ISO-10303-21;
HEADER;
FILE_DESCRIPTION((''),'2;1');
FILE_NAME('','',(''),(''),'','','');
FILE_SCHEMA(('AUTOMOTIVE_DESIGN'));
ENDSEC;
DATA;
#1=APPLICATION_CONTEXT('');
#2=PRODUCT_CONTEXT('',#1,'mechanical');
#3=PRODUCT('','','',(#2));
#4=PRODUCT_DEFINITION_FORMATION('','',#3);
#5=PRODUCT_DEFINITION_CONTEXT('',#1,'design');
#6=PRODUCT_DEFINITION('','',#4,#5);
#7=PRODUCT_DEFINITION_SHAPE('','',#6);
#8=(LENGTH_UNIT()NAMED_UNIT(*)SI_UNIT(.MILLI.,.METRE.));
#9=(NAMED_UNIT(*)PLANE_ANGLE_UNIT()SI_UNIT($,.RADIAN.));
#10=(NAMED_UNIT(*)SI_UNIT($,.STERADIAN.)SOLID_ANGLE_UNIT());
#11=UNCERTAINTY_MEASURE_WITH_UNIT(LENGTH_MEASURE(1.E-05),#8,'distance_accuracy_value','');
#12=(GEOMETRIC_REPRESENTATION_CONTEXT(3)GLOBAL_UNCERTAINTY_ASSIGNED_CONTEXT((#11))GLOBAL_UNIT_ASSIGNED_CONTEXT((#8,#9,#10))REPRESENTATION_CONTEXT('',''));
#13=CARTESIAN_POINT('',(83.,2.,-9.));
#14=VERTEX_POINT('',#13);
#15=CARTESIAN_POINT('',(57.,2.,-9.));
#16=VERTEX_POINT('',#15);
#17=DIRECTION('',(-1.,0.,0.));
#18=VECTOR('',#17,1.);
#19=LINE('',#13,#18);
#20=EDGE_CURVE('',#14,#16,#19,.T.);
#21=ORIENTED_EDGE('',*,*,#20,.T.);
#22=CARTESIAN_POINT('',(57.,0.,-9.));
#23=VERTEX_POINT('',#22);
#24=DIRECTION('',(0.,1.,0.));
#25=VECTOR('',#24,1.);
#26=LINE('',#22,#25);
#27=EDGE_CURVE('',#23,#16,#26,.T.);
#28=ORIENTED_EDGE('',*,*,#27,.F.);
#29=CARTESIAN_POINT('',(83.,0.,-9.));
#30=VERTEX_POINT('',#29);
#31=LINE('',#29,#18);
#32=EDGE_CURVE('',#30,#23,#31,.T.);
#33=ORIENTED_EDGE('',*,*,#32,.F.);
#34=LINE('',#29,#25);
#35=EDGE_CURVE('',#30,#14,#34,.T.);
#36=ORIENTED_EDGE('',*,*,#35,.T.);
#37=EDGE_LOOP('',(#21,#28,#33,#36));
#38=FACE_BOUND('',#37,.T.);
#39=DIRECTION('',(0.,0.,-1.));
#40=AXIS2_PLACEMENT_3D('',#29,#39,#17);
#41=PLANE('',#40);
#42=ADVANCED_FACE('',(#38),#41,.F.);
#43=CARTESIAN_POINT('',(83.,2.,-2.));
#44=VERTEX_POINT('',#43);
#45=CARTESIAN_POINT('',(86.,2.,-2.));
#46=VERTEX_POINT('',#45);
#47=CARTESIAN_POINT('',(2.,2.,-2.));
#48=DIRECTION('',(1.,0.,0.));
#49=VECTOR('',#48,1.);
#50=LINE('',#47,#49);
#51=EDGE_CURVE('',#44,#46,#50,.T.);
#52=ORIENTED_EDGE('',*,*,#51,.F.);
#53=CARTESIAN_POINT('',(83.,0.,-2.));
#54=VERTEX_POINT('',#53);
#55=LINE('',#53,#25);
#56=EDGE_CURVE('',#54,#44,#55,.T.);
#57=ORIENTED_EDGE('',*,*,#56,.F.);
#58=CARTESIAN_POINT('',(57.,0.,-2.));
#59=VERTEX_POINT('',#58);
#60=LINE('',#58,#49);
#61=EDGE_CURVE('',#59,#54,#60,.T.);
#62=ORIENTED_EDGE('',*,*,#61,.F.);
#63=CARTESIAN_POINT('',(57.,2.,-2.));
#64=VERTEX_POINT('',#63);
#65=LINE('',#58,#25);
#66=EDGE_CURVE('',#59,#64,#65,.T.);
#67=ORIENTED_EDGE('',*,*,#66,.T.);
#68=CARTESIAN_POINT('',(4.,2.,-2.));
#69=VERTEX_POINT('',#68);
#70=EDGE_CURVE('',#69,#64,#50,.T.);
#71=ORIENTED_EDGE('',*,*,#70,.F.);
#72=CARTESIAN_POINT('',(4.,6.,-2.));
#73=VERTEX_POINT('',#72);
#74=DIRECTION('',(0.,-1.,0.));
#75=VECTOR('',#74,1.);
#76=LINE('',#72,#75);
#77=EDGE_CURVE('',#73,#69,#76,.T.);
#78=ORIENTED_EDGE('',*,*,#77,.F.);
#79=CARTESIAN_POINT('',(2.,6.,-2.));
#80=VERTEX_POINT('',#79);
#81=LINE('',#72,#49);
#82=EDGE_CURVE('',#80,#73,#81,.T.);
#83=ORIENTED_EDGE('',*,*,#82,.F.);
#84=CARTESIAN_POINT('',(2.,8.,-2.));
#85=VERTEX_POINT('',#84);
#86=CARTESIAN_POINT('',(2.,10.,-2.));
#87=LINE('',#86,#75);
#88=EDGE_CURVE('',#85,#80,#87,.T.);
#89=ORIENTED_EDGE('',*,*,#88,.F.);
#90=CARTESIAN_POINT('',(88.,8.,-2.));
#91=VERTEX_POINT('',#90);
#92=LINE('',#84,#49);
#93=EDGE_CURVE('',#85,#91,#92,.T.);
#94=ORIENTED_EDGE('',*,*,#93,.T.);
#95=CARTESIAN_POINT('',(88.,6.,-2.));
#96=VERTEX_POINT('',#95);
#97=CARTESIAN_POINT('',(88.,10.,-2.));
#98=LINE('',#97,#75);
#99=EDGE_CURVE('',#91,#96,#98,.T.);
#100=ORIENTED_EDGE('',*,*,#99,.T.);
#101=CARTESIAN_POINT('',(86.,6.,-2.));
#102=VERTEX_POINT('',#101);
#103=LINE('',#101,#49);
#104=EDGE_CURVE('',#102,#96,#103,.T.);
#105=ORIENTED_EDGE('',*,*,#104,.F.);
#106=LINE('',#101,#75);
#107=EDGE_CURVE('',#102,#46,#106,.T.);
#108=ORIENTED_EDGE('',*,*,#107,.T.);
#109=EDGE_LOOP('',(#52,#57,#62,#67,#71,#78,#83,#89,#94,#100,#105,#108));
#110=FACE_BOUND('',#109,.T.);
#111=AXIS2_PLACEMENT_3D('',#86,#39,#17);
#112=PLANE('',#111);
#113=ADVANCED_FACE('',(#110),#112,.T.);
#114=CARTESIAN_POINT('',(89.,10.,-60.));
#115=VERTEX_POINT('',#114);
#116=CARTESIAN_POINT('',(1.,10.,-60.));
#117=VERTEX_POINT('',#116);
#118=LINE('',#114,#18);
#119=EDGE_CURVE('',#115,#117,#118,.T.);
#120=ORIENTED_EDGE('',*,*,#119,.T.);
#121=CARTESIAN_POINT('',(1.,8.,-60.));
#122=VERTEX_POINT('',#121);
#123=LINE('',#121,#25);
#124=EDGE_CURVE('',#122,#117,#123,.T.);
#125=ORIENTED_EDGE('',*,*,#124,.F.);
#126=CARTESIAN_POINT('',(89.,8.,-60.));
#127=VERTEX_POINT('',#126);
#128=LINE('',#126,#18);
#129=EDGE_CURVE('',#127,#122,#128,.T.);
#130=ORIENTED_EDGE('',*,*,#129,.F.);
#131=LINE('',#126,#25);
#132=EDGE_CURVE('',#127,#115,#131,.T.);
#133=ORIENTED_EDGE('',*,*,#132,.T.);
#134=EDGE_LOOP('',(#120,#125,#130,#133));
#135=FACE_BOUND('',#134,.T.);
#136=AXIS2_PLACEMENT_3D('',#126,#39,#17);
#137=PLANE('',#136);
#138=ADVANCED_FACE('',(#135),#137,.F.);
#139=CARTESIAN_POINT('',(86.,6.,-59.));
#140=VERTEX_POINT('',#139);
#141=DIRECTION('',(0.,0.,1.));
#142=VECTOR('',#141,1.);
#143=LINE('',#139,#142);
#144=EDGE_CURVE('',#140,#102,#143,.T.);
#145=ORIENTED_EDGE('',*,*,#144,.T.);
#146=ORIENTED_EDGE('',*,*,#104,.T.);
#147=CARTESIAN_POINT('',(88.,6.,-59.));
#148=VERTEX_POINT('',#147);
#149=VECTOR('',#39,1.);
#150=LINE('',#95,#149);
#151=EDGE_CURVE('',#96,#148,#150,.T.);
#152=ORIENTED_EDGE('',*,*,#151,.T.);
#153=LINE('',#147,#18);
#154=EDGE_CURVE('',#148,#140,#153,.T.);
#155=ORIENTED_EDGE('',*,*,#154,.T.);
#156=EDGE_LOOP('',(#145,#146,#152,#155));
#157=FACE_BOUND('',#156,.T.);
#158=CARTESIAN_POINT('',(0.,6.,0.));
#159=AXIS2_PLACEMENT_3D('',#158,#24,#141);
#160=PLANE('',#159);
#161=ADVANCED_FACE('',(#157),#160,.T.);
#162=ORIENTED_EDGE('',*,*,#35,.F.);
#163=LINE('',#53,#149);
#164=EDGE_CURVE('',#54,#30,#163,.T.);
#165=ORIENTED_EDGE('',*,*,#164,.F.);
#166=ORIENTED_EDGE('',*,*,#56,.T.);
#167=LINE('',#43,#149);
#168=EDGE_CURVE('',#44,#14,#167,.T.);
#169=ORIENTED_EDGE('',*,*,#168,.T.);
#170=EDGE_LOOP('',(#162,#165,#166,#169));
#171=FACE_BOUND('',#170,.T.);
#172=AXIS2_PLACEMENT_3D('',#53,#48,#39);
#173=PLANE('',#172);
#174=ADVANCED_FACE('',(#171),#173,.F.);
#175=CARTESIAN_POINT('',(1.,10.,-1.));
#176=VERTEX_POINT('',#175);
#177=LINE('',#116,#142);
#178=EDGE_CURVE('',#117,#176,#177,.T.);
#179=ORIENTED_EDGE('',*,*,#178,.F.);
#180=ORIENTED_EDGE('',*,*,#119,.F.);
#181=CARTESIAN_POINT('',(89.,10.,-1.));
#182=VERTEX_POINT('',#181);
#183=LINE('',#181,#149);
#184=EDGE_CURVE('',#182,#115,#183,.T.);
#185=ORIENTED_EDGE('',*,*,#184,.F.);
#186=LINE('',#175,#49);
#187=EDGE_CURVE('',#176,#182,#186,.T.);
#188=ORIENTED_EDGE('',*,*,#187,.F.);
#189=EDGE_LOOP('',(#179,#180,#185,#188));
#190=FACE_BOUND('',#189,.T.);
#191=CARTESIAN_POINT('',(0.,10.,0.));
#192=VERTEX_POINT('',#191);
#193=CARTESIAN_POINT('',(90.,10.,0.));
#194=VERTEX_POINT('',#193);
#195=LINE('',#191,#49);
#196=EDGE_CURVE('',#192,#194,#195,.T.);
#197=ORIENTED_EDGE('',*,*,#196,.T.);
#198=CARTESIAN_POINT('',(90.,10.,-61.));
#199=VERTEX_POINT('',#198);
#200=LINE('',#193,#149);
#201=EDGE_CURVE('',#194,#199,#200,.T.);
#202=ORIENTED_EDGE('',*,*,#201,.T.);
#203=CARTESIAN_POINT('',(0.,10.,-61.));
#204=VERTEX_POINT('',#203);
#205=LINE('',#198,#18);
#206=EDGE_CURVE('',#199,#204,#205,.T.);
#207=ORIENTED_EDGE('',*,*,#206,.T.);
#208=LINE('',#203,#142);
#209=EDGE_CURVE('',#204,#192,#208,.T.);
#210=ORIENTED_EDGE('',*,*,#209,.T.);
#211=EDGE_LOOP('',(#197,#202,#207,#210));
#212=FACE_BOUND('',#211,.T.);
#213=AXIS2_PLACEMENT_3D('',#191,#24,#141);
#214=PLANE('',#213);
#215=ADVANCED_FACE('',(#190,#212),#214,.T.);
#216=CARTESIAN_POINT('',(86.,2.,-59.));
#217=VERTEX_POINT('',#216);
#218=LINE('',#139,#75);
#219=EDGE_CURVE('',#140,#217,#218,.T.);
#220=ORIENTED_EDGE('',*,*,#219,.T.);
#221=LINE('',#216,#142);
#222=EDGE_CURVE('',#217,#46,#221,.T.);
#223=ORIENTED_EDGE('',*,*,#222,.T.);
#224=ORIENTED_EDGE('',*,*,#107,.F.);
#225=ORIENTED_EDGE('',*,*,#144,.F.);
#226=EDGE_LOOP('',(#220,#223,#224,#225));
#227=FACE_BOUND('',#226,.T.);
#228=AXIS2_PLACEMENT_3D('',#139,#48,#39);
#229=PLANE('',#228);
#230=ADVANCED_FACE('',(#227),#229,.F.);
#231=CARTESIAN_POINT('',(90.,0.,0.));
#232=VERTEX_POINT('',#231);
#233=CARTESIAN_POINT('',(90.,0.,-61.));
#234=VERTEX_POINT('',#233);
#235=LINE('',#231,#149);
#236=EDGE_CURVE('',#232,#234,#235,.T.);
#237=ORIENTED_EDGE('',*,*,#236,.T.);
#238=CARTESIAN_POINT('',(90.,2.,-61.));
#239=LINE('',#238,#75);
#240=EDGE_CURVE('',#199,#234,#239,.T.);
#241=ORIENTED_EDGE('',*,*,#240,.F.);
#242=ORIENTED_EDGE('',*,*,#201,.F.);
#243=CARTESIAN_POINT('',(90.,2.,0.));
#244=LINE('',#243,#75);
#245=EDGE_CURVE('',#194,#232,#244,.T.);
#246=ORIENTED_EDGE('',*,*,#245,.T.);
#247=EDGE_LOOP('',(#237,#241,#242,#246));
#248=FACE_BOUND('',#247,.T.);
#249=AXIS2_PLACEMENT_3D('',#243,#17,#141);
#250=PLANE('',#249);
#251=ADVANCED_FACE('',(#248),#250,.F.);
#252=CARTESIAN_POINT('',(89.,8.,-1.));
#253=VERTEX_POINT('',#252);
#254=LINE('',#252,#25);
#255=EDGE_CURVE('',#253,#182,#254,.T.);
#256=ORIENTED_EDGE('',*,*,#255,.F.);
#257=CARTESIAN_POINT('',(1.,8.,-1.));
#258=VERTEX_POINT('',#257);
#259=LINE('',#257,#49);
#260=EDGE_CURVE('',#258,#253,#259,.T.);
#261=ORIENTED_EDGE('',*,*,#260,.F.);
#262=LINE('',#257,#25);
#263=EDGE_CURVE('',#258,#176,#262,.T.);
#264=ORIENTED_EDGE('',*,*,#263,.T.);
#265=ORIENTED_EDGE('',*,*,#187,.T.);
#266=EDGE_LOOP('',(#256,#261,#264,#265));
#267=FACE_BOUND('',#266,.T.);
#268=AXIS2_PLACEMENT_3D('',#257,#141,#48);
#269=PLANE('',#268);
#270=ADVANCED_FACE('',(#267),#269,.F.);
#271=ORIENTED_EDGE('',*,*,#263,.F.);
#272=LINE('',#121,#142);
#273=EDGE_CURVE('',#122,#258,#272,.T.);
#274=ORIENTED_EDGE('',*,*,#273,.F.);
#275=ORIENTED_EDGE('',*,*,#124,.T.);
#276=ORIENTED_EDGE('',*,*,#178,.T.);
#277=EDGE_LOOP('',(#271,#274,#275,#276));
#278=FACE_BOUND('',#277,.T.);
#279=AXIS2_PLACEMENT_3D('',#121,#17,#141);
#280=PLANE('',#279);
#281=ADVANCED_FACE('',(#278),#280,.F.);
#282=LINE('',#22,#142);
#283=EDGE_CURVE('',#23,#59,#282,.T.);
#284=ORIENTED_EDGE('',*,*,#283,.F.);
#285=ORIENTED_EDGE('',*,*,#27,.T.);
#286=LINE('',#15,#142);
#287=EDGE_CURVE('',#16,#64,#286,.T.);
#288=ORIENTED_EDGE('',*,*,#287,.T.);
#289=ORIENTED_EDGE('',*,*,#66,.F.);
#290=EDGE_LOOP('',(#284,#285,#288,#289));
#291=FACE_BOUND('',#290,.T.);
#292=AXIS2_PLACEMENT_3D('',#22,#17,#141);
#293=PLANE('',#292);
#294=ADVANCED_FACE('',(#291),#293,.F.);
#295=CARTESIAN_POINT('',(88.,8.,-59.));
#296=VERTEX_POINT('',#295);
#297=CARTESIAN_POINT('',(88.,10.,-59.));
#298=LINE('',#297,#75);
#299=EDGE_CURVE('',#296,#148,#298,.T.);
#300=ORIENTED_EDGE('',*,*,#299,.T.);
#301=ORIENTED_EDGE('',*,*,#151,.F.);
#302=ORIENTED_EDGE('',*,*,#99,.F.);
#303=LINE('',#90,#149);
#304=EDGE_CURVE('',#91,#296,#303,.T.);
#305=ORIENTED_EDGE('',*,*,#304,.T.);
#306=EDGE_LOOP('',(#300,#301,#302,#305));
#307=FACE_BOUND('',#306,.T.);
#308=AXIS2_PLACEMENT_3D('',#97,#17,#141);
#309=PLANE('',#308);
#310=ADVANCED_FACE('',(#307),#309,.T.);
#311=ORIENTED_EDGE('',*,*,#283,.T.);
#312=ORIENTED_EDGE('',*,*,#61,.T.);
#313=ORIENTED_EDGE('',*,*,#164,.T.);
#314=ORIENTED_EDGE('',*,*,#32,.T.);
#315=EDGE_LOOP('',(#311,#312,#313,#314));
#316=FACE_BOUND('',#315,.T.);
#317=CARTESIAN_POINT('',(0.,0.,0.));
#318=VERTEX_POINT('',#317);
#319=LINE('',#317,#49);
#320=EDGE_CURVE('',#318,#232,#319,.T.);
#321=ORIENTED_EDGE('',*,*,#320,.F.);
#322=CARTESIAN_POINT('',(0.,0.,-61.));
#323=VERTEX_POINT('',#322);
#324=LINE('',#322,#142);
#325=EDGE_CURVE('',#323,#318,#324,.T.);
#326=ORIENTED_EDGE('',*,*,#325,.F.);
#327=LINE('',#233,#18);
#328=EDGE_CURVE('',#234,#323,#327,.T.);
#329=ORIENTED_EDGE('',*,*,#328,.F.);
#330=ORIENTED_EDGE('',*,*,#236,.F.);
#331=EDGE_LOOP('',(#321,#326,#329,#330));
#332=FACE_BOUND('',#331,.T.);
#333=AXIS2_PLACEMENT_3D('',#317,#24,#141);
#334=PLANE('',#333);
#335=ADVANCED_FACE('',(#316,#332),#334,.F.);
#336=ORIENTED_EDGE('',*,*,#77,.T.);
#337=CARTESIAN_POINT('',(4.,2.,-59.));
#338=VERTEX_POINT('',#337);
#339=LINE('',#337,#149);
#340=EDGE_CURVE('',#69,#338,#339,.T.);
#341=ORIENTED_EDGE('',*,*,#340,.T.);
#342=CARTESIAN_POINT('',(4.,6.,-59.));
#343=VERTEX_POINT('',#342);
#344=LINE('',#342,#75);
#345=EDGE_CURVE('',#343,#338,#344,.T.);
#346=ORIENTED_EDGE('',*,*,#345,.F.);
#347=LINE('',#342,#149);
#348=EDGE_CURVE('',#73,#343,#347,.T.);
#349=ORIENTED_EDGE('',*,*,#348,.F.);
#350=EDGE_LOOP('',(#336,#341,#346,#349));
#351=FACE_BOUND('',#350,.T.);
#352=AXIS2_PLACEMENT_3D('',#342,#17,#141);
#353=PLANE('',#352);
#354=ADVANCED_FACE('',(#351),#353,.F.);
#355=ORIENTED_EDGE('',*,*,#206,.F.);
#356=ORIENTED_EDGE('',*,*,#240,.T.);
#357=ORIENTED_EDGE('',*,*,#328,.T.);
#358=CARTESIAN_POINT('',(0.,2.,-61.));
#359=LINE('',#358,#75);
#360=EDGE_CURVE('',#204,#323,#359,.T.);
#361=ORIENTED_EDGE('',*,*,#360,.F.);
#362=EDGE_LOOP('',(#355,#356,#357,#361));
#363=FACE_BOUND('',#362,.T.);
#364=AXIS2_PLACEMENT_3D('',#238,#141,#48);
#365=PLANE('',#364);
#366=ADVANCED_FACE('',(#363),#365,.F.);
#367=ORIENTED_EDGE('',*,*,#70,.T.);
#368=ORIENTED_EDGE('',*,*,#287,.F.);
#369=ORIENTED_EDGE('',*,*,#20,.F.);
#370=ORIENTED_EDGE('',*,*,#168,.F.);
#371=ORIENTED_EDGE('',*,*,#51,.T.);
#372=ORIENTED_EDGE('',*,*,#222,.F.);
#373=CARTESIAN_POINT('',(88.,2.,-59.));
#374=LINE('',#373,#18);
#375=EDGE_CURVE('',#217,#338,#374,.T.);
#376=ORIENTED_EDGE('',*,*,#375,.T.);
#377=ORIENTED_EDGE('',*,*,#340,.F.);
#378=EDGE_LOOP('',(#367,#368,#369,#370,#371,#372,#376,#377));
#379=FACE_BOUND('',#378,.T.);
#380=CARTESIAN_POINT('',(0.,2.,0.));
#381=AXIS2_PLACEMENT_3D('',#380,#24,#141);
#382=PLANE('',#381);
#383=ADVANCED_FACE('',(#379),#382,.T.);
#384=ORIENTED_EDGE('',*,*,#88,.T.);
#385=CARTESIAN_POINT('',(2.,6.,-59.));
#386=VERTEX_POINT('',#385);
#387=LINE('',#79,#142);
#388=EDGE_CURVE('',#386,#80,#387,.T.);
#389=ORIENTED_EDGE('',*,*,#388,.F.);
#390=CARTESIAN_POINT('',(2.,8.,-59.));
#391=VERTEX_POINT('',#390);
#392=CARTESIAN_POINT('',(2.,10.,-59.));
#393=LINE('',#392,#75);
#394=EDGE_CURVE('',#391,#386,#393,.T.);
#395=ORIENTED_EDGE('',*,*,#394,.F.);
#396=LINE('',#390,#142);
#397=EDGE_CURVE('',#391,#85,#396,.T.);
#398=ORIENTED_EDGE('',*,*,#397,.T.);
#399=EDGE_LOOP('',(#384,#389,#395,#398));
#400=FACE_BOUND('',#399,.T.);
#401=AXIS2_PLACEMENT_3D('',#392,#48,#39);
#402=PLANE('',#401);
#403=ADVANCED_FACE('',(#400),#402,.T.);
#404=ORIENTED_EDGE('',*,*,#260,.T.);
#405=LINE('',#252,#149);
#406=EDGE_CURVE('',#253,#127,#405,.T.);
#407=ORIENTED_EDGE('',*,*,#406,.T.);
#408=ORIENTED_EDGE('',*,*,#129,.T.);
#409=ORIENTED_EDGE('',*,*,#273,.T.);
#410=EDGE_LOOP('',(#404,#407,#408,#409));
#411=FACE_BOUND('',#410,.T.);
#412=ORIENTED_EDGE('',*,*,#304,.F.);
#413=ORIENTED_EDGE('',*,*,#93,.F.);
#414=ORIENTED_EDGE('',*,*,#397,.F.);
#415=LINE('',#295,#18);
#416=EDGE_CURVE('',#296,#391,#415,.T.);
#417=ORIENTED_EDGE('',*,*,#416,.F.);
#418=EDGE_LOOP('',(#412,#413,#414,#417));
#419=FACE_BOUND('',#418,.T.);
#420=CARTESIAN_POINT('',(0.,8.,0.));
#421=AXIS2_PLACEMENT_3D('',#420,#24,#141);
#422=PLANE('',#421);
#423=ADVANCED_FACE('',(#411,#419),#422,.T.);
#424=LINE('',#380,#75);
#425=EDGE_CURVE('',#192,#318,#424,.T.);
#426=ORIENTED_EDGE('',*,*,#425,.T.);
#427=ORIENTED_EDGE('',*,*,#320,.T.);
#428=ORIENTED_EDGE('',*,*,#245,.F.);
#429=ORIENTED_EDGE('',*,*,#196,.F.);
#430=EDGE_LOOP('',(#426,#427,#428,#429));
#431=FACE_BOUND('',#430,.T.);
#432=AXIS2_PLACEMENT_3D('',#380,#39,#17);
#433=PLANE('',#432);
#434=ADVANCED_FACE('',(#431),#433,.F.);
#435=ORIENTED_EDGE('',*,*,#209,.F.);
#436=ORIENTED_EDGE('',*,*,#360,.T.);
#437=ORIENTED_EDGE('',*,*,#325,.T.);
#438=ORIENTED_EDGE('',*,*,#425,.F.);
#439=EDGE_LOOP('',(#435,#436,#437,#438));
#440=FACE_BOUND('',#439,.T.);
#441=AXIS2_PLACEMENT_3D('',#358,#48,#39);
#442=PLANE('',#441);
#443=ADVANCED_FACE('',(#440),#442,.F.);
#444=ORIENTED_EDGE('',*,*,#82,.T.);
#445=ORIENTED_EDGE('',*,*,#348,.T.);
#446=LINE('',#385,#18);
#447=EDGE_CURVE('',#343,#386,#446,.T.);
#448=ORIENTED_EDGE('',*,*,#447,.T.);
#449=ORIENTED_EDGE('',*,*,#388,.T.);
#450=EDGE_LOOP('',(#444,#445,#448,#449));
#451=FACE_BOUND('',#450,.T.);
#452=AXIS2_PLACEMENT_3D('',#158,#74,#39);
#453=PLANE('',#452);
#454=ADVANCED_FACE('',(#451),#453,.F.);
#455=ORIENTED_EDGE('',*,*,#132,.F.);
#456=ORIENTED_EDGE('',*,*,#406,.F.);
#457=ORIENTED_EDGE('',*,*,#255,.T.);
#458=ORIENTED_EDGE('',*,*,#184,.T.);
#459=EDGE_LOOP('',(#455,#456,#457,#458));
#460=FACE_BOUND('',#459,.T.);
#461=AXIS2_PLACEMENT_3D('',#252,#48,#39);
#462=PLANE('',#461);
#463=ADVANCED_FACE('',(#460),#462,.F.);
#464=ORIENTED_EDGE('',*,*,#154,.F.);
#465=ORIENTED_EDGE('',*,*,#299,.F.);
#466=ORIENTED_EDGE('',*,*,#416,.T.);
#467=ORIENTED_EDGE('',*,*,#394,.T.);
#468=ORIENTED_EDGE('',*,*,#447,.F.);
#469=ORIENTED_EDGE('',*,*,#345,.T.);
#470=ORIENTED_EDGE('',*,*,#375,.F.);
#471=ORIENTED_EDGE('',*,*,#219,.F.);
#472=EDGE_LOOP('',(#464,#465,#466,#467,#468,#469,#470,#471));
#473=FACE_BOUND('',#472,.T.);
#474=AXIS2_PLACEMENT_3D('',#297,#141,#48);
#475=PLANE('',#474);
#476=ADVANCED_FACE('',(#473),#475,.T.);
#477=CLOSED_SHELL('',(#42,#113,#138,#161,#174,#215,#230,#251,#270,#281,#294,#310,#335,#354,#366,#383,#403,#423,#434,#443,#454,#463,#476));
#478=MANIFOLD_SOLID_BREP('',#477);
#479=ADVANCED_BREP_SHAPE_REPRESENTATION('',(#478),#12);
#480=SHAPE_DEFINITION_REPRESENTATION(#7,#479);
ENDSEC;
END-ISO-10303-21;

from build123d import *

# Parameters (mm, degrees)
SKETCH1_W           = 90
SKETCH1_H           = 61
BOSS_EXTRUDE1_DEPTH = 2
SKETCH2_W           = 90
SKETCH2_H           = 61
SKETCH2_W_2         = 86
SKETCH2_H_2         = 57
BOSS_EXTRUDE2_DEPTH = 8
SKETCH3_W           = 26
SKETCH3_H           = 7
CUT_EXTRUDE1_DEPTH  = 2
SKETCH4_W           = 2
SKETCH4_H           = 57
BOSS_EXTRUDE3_DEPTH = 4
SKETCH5_W           = 88
SKETCH5_H           = 59
SKETCH5_W_2         = 86
SKETCH5_H_2         = 57
CUT_EXTRUDE2_DEPTH  = 2


with BuildPart() as part:
    # Sketch1 → Boss-Extrude1 (new body)
    with BuildSketch(Plane(origin=(0, 0, 0), x_dir=(1, 0, 0), z_dir=(0, 1, 0))):
        with Locations((45, 30.5)):
            Rectangle(SKETCH1_W, SKETCH1_H)
    extrude(amount=BOSS_EXTRUDE1_DEPTH)

    # Sketch2 → Boss-Extrude2 (add)
    with BuildSketch(Plane(origin=(0, 2, 0), x_dir=(1, 0, 0), z_dir=(0, 1, 0))):
        with Locations((45, 30.5)):
            Rectangle(SKETCH2_W, SKETCH2_H)
        with Locations((45, 30.5)):
            Rectangle(SKETCH2_W_2, SKETCH2_H_2, mode=Mode.SUBTRACT)
    extrude(amount=BOSS_EXTRUDE2_DEPTH)

    # Sketch3 → Cut-Extrude1 (cut)
    with BuildSketch(Plane(origin=(0, 2, 0), x_dir=(1, 0, 0), z_dir=(0, 1, 0))):
        with Locations((70, 5.5)):
            Rectangle(SKETCH3_W, SKETCH3_H)
    extrude(amount=-CUT_EXTRUDE1_DEPTH, mode=Mode.SUBTRACT)

    # Sketch4 → Boss-Extrude3 (add)
    with BuildSketch(Plane(origin=(0, 2, 0), x_dir=(1, 0, 0), z_dir=(0, 1, 0))):
        with Locations((3, 30.5)):
            Rectangle(SKETCH4_W, SKETCH4_H)
        with Locations((87, 30.5)):
            Rectangle(SKETCH4_W, SKETCH4_H)
    extrude(amount=BOSS_EXTRUDE3_DEPTH)

    # Sketch5 → Cut-Extrude2 (cut)
    with BuildSketch(Plane(origin=(0, 10, 0), x_dir=(1, 0, 0), z_dir=(0, 1, 0))):
        with Locations((45, 30.5)):
            Rectangle(SKETCH5_W, SKETCH5_H)
        with Locations((45, 30.5)):
            Rectangle(SKETCH5_W_2, SKETCH5_H_2, mode=Mode.SUBTRACT)
    extrude(amount=-CUT_EXTRUDE2_DEPTH, mode=Mode.SUBTRACT)


solid = part.part
